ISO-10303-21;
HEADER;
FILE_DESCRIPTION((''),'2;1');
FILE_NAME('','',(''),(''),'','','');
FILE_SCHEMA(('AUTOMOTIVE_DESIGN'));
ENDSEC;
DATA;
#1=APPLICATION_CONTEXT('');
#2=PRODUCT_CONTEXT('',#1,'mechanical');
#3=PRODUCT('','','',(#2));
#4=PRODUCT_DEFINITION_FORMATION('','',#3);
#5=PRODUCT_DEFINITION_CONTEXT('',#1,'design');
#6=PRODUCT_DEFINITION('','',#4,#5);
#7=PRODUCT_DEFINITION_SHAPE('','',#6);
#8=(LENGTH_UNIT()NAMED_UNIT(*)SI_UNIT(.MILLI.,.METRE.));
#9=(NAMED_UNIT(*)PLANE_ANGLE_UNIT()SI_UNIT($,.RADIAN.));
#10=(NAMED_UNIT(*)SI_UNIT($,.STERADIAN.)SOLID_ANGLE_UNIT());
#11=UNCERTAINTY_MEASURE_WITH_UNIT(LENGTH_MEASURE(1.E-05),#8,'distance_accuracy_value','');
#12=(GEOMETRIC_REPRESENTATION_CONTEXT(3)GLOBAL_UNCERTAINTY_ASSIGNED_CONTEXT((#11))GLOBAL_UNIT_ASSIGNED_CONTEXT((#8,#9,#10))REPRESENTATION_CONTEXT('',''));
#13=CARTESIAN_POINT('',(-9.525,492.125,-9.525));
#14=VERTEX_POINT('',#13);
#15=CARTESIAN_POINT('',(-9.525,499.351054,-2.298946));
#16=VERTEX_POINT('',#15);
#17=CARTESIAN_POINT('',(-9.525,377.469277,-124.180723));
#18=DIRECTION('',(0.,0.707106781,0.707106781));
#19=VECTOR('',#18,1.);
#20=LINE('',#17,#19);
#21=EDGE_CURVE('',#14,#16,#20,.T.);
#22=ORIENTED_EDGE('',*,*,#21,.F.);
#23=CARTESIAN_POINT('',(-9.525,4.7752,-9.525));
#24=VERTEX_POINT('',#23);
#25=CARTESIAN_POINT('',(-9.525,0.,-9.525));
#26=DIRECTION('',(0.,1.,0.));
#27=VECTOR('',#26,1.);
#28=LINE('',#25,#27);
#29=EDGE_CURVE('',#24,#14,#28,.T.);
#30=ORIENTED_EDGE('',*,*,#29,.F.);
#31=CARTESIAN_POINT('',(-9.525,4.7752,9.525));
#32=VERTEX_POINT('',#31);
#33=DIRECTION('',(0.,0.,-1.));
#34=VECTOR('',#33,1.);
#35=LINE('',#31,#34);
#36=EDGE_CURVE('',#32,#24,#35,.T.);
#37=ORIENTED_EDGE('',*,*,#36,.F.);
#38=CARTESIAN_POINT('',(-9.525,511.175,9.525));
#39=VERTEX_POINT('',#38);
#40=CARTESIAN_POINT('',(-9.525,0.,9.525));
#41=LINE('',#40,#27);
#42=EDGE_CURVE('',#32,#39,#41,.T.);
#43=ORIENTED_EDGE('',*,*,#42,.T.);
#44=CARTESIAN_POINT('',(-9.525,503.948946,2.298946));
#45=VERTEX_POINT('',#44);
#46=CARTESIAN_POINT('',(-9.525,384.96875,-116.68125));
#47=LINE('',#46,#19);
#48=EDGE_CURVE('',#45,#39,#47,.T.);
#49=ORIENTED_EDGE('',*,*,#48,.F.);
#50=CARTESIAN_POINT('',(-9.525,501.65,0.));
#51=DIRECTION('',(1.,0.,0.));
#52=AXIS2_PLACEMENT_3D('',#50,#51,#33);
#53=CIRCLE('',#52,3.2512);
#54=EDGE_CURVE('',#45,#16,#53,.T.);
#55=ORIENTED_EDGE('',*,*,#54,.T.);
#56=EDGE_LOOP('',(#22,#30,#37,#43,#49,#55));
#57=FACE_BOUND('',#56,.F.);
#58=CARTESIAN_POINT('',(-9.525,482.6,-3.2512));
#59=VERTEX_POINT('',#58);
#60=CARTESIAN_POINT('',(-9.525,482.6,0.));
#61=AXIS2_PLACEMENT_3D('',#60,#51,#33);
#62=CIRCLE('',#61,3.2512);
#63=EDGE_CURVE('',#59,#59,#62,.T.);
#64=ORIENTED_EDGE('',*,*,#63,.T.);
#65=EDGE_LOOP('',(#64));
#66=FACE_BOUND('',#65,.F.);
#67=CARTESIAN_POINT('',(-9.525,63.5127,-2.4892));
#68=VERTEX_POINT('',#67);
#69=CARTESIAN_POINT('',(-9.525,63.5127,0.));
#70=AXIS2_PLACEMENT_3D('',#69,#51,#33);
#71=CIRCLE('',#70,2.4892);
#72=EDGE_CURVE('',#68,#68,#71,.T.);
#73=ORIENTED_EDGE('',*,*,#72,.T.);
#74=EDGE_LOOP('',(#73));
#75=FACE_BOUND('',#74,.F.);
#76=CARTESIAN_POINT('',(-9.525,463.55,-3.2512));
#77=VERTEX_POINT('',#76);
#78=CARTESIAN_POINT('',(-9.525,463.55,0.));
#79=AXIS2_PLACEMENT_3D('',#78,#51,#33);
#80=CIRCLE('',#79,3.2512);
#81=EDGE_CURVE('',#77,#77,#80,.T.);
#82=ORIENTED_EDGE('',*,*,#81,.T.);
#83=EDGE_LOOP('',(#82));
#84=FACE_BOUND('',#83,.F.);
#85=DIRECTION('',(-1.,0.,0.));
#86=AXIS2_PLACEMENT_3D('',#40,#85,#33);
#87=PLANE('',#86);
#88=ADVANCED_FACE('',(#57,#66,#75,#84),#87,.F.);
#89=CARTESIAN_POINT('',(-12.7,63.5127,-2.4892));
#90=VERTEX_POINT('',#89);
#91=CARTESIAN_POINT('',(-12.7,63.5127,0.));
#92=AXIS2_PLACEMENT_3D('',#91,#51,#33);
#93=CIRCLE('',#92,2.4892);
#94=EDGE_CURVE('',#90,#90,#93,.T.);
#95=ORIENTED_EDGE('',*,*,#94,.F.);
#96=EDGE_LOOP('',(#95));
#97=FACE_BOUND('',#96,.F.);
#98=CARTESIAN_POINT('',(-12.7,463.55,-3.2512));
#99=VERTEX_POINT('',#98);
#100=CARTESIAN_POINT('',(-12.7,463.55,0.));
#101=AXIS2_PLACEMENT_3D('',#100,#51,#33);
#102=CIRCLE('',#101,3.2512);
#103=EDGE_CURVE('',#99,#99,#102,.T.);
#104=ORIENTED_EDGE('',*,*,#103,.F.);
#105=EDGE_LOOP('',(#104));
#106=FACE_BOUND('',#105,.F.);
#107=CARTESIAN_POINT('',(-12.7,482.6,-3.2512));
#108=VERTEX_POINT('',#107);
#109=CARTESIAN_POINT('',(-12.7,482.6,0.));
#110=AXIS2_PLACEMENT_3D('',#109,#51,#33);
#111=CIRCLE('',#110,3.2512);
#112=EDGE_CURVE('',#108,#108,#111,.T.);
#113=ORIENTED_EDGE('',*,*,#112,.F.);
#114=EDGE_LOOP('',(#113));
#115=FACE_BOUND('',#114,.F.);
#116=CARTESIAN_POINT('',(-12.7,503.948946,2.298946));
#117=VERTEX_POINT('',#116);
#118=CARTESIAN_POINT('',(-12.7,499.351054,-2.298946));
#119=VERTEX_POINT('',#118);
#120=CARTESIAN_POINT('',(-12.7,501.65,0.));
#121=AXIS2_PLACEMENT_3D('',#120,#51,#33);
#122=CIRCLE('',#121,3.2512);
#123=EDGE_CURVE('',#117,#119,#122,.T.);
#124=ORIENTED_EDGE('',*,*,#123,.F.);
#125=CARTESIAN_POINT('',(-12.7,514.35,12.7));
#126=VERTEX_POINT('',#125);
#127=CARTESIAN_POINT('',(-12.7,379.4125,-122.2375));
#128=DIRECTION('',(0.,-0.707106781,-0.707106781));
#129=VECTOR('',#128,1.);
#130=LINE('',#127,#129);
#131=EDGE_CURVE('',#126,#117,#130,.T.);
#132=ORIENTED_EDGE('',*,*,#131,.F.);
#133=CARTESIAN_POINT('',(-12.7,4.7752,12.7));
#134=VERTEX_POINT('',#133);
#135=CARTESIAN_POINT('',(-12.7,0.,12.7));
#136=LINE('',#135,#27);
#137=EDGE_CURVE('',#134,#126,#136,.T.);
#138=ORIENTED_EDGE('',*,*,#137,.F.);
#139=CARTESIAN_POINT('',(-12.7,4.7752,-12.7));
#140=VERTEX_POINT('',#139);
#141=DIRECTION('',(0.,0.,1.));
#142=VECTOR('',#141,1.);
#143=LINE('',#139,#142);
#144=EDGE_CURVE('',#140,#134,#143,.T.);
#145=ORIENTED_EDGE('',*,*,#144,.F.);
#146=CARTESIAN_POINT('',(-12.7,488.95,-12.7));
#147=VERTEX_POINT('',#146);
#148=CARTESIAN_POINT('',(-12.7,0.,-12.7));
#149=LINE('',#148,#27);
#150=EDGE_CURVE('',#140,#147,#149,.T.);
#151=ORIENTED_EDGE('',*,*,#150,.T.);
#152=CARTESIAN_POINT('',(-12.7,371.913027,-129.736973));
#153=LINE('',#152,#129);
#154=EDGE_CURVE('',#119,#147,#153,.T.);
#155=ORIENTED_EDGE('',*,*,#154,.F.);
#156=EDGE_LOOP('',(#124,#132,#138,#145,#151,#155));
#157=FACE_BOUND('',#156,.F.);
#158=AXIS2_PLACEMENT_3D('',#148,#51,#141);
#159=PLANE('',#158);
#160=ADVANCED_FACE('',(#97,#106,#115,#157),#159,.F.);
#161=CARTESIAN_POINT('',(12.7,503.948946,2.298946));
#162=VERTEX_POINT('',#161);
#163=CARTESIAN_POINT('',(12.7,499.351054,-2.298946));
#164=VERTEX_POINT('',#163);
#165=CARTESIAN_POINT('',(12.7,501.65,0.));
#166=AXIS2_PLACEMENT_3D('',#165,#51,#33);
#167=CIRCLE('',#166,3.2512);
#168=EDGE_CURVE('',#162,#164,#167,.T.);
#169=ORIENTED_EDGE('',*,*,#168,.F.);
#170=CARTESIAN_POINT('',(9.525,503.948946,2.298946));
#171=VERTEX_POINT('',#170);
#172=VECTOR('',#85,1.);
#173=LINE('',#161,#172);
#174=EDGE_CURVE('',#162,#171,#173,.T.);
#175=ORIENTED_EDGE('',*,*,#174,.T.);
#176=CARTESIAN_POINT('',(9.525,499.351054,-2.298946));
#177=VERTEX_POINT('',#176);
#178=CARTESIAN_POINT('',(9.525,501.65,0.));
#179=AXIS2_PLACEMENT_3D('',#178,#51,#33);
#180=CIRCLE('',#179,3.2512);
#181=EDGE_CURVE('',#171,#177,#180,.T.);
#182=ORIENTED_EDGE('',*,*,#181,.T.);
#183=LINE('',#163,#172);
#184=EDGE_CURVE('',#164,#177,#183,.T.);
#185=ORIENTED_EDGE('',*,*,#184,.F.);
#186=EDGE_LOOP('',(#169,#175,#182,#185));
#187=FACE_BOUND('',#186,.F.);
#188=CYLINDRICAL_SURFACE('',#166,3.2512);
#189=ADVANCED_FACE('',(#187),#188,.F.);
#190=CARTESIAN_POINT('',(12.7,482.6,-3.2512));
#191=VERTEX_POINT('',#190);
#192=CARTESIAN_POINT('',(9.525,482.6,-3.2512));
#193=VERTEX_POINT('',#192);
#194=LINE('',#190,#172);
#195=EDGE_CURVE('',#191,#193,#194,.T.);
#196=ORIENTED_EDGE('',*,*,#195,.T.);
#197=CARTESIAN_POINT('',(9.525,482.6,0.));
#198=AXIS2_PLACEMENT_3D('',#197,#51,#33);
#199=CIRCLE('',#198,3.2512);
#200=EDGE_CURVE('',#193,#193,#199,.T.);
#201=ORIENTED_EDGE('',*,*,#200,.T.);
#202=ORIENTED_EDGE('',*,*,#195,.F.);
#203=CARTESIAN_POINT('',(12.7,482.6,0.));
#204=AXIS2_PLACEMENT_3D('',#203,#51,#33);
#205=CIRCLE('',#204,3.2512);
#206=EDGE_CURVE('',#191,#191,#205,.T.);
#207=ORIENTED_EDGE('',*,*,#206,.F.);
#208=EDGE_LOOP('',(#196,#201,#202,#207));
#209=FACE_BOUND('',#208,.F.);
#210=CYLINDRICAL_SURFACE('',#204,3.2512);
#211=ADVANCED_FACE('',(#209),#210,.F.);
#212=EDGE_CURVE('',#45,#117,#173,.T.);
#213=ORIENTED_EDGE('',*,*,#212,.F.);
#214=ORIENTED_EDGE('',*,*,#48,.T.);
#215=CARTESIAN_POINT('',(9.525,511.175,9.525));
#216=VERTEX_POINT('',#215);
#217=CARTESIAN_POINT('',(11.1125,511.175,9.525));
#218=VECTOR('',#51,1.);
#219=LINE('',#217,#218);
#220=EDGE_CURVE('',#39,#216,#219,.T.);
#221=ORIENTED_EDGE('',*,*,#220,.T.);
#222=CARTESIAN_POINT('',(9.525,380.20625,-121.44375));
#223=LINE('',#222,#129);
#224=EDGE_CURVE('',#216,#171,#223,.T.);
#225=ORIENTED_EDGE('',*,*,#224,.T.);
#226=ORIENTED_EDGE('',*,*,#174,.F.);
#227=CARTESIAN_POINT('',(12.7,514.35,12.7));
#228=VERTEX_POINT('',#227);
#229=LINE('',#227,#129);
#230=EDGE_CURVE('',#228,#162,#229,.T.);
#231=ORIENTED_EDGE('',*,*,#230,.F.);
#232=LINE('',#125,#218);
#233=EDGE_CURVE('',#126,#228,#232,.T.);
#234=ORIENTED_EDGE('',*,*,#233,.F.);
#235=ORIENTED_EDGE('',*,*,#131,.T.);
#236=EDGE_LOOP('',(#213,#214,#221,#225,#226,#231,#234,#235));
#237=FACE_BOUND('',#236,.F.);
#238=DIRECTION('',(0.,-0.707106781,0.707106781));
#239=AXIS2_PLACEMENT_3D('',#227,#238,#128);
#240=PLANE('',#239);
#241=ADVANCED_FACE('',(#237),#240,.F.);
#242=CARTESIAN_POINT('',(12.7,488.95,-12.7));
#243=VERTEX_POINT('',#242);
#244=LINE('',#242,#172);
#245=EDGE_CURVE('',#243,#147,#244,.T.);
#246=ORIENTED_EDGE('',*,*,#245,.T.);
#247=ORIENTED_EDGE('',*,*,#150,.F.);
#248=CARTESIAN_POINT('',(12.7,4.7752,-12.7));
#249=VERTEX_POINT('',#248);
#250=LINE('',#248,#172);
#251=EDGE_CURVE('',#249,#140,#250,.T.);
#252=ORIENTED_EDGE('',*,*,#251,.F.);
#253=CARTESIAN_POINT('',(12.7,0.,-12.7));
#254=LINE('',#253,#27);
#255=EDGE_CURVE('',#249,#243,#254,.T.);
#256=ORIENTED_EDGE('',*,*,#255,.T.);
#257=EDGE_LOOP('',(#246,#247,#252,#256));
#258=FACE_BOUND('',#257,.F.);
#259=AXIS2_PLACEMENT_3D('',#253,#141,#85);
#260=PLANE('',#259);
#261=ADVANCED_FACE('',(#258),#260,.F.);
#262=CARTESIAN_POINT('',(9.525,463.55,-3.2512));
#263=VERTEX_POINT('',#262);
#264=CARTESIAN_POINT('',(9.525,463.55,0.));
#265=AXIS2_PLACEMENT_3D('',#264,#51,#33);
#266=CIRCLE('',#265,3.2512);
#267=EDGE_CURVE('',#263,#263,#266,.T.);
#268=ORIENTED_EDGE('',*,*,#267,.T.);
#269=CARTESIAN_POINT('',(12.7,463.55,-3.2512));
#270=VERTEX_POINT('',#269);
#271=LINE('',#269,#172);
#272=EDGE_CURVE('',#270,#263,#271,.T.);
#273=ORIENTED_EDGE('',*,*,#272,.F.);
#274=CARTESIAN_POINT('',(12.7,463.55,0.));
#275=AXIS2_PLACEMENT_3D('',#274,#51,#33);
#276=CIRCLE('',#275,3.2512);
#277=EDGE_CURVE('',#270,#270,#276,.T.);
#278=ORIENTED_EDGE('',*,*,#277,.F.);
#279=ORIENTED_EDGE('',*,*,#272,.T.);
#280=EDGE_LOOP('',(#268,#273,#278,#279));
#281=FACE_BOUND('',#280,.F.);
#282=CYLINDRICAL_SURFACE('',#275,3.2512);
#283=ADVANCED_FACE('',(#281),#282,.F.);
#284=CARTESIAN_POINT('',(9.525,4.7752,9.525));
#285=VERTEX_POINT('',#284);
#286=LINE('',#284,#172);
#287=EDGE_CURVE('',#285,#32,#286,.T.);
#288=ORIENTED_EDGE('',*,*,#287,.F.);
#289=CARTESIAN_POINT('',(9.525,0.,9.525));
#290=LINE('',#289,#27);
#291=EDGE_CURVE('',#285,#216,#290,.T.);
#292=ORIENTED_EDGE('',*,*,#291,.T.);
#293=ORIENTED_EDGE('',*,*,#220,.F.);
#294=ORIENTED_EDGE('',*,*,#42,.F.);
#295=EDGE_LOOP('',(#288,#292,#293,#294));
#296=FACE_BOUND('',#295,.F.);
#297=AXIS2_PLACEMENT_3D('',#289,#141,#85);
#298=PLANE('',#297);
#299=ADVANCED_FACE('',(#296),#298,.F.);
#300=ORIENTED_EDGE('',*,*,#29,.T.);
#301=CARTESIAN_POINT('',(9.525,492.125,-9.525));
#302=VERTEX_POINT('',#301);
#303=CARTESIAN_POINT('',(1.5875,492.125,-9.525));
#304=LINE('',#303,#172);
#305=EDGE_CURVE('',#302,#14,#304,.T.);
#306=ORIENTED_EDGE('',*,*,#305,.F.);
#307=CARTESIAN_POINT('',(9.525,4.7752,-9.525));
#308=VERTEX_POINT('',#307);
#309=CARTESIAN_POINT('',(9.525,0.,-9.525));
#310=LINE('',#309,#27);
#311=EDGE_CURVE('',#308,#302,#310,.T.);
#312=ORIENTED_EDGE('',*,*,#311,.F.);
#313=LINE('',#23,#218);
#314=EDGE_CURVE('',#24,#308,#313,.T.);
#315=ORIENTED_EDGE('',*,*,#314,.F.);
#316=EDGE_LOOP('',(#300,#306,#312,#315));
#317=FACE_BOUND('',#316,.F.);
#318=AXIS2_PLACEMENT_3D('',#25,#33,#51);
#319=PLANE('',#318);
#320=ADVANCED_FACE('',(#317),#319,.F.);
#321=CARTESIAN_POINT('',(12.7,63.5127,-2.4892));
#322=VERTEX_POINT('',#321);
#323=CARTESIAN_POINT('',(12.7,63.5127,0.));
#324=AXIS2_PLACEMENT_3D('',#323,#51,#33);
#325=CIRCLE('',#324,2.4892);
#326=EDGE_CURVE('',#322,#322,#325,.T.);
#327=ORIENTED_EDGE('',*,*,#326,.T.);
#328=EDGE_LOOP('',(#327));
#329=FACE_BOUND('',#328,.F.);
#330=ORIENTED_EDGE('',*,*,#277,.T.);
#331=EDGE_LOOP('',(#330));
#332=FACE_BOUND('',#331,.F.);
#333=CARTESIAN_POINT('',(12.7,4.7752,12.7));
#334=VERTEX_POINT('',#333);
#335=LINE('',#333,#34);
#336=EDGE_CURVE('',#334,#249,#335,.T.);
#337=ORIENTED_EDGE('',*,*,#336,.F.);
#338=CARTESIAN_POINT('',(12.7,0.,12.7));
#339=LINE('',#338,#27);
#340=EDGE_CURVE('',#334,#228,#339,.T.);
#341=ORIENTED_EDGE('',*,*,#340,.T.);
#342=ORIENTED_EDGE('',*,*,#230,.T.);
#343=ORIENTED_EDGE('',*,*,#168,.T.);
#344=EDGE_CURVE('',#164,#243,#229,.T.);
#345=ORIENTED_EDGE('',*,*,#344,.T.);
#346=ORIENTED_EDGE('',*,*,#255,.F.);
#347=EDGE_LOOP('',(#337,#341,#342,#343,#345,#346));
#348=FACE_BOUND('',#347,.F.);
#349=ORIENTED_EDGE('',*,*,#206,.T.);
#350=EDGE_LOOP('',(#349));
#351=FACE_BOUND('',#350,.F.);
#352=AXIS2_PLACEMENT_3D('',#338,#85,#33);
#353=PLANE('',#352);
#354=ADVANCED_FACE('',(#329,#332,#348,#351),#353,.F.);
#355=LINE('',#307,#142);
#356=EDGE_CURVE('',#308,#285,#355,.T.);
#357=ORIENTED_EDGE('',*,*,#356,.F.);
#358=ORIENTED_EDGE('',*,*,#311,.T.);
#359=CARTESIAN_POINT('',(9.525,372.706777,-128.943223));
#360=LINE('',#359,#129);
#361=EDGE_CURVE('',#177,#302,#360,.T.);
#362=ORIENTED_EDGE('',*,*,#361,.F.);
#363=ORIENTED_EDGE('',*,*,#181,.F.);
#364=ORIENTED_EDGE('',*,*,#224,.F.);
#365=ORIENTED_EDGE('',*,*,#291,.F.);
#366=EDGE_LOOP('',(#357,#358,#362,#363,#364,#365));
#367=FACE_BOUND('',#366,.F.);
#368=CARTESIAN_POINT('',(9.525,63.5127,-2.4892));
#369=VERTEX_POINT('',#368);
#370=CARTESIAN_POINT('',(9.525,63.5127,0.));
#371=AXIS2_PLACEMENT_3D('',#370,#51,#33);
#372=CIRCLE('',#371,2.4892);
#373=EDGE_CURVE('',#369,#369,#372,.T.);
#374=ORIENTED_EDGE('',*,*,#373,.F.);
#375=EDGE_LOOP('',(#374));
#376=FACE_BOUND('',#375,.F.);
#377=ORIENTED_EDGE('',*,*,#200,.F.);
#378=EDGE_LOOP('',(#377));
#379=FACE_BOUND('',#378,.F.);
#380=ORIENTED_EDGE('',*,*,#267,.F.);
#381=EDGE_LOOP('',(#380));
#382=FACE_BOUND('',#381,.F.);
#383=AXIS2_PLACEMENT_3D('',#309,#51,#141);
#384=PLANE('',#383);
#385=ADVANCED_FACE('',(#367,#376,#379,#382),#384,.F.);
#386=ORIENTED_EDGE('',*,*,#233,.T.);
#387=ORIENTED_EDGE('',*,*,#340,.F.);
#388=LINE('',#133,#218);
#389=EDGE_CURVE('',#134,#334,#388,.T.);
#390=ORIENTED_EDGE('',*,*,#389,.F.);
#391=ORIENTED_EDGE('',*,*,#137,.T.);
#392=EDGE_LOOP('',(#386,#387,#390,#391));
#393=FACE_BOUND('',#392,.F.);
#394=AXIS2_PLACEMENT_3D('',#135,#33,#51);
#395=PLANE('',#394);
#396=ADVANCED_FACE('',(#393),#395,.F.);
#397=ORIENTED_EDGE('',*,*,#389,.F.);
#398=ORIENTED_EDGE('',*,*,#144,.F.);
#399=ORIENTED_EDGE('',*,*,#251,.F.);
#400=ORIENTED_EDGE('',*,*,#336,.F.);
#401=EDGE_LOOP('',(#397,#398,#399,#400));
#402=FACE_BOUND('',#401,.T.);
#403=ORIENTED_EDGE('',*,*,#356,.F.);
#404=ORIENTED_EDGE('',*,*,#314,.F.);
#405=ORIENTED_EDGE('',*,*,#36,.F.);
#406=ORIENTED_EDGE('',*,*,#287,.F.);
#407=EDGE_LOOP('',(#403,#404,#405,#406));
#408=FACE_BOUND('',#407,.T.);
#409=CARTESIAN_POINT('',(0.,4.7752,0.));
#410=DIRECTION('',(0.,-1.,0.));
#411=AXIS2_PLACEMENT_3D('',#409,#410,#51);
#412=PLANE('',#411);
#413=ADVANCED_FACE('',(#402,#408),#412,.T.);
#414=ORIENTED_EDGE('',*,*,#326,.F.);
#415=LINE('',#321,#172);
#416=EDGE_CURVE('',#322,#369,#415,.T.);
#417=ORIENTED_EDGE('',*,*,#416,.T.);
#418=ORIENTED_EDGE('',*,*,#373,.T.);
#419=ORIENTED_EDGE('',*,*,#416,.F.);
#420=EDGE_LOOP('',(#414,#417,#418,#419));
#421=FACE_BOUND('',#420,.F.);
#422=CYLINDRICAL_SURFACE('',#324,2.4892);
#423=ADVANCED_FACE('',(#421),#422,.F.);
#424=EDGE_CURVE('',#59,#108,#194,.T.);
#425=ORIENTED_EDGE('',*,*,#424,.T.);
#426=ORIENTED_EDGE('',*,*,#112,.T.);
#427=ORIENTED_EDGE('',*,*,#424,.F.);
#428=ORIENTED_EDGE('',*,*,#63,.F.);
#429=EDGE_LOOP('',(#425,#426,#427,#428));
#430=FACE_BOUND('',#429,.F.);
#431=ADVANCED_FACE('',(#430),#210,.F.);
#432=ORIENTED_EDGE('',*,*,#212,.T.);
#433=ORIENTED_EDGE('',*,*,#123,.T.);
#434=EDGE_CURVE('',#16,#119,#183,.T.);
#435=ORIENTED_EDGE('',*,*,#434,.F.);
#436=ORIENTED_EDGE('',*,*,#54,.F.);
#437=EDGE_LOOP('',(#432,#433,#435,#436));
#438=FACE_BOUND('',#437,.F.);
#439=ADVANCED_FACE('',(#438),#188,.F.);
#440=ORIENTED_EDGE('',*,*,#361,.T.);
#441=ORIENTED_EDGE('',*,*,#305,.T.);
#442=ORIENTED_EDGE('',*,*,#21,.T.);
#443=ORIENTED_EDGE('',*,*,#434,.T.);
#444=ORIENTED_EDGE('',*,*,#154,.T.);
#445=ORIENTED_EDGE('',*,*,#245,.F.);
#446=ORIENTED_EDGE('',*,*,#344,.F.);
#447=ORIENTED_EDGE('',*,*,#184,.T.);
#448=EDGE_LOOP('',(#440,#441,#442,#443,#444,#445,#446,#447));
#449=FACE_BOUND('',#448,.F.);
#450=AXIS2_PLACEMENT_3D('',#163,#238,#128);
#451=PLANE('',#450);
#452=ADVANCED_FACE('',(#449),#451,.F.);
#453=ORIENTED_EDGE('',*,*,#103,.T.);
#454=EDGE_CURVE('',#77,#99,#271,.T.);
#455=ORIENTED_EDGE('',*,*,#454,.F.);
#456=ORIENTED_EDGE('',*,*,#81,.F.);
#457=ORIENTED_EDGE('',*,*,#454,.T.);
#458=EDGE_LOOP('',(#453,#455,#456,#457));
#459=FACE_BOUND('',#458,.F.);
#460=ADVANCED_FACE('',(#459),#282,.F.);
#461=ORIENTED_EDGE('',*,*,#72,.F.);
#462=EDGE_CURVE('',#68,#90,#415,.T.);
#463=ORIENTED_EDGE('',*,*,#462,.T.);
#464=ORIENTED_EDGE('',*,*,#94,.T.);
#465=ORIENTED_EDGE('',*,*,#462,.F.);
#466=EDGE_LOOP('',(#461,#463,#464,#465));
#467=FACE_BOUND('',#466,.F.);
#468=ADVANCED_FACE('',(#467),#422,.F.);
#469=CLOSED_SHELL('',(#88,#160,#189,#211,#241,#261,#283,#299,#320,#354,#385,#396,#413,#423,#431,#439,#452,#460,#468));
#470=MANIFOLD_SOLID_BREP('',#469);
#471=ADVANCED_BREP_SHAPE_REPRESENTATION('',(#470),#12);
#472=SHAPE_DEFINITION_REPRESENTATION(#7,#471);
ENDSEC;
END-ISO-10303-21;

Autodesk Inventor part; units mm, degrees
ref_plane "YZ Plane" through (0, 0, 0) normal (1, 0, 0) x (0, 1, 0)
ref_plane "XZ Plane" through (0, 0, 0) normal (0, 1, 0) x (-1, 0, 0)
ref_plane "XY Plane" through (0, 0, 0) normal (0, 0, 1) x (1, 0, 0)
sketch "Sketch1" plane through (0, 0, 0) normal (0, 1, 0) x (-1, 0, 0)
  line L0 (-12.7, -12.7) -> (12.7, -12.7)
  line L1 (12.7, -12.7) -> (12.7, 12.7)
  line L2 (12.7, 12.7) -> (-12.7, 12.7)
  line L3 (-12.7, 12.7) -> (-12.7, -12.7)
  line L4 (-12.7, -12.7) -> (12.7, 12.7) construction
  line L5 (12.7, -12.7) -> (-12.7, 12.7) construction
  line L6 (9.525, 9.525) -> (9.525, -9.525)
  line L7 (9.525, -9.525) -> (-9.525, -9.525)
  line L8 (-9.525, -9.525) -> (-9.525, 9.525)
  line L9 (-9.525, 9.525) -> (9.525, 9.525)
  point P0 (0, 0)
  dimension "d0" = 25.4
  dimension "d1" = 25.4
  dimension "d2" = 3.175
extrude "Extrusion1" add sketch "Sketch1" along normal blind 514.35
sketch "Sketch2" plane through (12.7, 0, 12.7) normal (1, 0, 0) x (0, 0, -1)
  line L0 (25.4, 514.35) -> (0, 514.35) projected
  line L1 (0, 514.35) -> (25.4, 488.95)
  line L2 (25.4, 0) -> (25.4, 514.35) projected
  circle A0 centre (12.7, 482.6) radius 3.2512
  line L3 (0, 514.35) -> (25.4, 514.35) projected
  circle A1 centre (12.7, 463.55) radius 3.2512
  circle A2 centre (12.7, 501.65) radius 3.2512
  point P0 (12.7, 0)
  point P1 (12.7, 514.35)
  point P2 (12.7, 514.35)
  point P3 (14.9989, 499.3511)
  point P4 (10.4011, 503.9489)
  dimension "d5" = 25.4
  dimension "d6" = 6.5024
  dimension "d7" = 31.75
  dimension "d8" = 19.05
extrude "Extrusion2" cut sketch "Sketch2" against normal blind 522.224
sketch "Sketch3" plane through (0, 0, 0) normal (0, -1, 0) x (1, 0, 0)
  line L0 (-12.7, -12.7) -> (-12.7, 12.7) projected
  line L1 (12.7, -12.7) -> (-12.7, -12.7) projected
  line L2 (12.7, 12.7) -> (12.7, -12.7) projected
  line L3 (-12.7, 12.7) -> (12.7, 12.7) projected
  line L4 (-9.525, 9.525) -> (-9.525, -9.525) projected
  line L5 (9.525, 9.525) -> (-9.525, 9.525) projected
  line L6 (9.525, -9.525) -> (9.525, 9.525) projected
  line L7 (-9.525, -9.525) -> (9.525, -9.525) projected
  point P0 (0, 0)
extrude "Extrusion3" cut sketch "Sketch3" against normal blind 4.7752
sketch "Sketch4" plane through (12.7, 4.7752, 12.7) normal (1, 0, 0) x (0, 0, -1)
  line L0 (0, 0) -> (25.4, 0) projected
  circle A0 centre (12.7, 58.7375) radius 2.4892
  point P0 (12.7, -4.7752)
  point P1 (12.7, 0)
  dimension "d13" = 4.9784
  dimension "d14" = 58.7375
extrude "Extrusion4" cut sketch "Sketch4" against normal blind 25.4
properties part number "STRU_007_BilletPole_SwerveOffset" material "Aluminum 6061"
